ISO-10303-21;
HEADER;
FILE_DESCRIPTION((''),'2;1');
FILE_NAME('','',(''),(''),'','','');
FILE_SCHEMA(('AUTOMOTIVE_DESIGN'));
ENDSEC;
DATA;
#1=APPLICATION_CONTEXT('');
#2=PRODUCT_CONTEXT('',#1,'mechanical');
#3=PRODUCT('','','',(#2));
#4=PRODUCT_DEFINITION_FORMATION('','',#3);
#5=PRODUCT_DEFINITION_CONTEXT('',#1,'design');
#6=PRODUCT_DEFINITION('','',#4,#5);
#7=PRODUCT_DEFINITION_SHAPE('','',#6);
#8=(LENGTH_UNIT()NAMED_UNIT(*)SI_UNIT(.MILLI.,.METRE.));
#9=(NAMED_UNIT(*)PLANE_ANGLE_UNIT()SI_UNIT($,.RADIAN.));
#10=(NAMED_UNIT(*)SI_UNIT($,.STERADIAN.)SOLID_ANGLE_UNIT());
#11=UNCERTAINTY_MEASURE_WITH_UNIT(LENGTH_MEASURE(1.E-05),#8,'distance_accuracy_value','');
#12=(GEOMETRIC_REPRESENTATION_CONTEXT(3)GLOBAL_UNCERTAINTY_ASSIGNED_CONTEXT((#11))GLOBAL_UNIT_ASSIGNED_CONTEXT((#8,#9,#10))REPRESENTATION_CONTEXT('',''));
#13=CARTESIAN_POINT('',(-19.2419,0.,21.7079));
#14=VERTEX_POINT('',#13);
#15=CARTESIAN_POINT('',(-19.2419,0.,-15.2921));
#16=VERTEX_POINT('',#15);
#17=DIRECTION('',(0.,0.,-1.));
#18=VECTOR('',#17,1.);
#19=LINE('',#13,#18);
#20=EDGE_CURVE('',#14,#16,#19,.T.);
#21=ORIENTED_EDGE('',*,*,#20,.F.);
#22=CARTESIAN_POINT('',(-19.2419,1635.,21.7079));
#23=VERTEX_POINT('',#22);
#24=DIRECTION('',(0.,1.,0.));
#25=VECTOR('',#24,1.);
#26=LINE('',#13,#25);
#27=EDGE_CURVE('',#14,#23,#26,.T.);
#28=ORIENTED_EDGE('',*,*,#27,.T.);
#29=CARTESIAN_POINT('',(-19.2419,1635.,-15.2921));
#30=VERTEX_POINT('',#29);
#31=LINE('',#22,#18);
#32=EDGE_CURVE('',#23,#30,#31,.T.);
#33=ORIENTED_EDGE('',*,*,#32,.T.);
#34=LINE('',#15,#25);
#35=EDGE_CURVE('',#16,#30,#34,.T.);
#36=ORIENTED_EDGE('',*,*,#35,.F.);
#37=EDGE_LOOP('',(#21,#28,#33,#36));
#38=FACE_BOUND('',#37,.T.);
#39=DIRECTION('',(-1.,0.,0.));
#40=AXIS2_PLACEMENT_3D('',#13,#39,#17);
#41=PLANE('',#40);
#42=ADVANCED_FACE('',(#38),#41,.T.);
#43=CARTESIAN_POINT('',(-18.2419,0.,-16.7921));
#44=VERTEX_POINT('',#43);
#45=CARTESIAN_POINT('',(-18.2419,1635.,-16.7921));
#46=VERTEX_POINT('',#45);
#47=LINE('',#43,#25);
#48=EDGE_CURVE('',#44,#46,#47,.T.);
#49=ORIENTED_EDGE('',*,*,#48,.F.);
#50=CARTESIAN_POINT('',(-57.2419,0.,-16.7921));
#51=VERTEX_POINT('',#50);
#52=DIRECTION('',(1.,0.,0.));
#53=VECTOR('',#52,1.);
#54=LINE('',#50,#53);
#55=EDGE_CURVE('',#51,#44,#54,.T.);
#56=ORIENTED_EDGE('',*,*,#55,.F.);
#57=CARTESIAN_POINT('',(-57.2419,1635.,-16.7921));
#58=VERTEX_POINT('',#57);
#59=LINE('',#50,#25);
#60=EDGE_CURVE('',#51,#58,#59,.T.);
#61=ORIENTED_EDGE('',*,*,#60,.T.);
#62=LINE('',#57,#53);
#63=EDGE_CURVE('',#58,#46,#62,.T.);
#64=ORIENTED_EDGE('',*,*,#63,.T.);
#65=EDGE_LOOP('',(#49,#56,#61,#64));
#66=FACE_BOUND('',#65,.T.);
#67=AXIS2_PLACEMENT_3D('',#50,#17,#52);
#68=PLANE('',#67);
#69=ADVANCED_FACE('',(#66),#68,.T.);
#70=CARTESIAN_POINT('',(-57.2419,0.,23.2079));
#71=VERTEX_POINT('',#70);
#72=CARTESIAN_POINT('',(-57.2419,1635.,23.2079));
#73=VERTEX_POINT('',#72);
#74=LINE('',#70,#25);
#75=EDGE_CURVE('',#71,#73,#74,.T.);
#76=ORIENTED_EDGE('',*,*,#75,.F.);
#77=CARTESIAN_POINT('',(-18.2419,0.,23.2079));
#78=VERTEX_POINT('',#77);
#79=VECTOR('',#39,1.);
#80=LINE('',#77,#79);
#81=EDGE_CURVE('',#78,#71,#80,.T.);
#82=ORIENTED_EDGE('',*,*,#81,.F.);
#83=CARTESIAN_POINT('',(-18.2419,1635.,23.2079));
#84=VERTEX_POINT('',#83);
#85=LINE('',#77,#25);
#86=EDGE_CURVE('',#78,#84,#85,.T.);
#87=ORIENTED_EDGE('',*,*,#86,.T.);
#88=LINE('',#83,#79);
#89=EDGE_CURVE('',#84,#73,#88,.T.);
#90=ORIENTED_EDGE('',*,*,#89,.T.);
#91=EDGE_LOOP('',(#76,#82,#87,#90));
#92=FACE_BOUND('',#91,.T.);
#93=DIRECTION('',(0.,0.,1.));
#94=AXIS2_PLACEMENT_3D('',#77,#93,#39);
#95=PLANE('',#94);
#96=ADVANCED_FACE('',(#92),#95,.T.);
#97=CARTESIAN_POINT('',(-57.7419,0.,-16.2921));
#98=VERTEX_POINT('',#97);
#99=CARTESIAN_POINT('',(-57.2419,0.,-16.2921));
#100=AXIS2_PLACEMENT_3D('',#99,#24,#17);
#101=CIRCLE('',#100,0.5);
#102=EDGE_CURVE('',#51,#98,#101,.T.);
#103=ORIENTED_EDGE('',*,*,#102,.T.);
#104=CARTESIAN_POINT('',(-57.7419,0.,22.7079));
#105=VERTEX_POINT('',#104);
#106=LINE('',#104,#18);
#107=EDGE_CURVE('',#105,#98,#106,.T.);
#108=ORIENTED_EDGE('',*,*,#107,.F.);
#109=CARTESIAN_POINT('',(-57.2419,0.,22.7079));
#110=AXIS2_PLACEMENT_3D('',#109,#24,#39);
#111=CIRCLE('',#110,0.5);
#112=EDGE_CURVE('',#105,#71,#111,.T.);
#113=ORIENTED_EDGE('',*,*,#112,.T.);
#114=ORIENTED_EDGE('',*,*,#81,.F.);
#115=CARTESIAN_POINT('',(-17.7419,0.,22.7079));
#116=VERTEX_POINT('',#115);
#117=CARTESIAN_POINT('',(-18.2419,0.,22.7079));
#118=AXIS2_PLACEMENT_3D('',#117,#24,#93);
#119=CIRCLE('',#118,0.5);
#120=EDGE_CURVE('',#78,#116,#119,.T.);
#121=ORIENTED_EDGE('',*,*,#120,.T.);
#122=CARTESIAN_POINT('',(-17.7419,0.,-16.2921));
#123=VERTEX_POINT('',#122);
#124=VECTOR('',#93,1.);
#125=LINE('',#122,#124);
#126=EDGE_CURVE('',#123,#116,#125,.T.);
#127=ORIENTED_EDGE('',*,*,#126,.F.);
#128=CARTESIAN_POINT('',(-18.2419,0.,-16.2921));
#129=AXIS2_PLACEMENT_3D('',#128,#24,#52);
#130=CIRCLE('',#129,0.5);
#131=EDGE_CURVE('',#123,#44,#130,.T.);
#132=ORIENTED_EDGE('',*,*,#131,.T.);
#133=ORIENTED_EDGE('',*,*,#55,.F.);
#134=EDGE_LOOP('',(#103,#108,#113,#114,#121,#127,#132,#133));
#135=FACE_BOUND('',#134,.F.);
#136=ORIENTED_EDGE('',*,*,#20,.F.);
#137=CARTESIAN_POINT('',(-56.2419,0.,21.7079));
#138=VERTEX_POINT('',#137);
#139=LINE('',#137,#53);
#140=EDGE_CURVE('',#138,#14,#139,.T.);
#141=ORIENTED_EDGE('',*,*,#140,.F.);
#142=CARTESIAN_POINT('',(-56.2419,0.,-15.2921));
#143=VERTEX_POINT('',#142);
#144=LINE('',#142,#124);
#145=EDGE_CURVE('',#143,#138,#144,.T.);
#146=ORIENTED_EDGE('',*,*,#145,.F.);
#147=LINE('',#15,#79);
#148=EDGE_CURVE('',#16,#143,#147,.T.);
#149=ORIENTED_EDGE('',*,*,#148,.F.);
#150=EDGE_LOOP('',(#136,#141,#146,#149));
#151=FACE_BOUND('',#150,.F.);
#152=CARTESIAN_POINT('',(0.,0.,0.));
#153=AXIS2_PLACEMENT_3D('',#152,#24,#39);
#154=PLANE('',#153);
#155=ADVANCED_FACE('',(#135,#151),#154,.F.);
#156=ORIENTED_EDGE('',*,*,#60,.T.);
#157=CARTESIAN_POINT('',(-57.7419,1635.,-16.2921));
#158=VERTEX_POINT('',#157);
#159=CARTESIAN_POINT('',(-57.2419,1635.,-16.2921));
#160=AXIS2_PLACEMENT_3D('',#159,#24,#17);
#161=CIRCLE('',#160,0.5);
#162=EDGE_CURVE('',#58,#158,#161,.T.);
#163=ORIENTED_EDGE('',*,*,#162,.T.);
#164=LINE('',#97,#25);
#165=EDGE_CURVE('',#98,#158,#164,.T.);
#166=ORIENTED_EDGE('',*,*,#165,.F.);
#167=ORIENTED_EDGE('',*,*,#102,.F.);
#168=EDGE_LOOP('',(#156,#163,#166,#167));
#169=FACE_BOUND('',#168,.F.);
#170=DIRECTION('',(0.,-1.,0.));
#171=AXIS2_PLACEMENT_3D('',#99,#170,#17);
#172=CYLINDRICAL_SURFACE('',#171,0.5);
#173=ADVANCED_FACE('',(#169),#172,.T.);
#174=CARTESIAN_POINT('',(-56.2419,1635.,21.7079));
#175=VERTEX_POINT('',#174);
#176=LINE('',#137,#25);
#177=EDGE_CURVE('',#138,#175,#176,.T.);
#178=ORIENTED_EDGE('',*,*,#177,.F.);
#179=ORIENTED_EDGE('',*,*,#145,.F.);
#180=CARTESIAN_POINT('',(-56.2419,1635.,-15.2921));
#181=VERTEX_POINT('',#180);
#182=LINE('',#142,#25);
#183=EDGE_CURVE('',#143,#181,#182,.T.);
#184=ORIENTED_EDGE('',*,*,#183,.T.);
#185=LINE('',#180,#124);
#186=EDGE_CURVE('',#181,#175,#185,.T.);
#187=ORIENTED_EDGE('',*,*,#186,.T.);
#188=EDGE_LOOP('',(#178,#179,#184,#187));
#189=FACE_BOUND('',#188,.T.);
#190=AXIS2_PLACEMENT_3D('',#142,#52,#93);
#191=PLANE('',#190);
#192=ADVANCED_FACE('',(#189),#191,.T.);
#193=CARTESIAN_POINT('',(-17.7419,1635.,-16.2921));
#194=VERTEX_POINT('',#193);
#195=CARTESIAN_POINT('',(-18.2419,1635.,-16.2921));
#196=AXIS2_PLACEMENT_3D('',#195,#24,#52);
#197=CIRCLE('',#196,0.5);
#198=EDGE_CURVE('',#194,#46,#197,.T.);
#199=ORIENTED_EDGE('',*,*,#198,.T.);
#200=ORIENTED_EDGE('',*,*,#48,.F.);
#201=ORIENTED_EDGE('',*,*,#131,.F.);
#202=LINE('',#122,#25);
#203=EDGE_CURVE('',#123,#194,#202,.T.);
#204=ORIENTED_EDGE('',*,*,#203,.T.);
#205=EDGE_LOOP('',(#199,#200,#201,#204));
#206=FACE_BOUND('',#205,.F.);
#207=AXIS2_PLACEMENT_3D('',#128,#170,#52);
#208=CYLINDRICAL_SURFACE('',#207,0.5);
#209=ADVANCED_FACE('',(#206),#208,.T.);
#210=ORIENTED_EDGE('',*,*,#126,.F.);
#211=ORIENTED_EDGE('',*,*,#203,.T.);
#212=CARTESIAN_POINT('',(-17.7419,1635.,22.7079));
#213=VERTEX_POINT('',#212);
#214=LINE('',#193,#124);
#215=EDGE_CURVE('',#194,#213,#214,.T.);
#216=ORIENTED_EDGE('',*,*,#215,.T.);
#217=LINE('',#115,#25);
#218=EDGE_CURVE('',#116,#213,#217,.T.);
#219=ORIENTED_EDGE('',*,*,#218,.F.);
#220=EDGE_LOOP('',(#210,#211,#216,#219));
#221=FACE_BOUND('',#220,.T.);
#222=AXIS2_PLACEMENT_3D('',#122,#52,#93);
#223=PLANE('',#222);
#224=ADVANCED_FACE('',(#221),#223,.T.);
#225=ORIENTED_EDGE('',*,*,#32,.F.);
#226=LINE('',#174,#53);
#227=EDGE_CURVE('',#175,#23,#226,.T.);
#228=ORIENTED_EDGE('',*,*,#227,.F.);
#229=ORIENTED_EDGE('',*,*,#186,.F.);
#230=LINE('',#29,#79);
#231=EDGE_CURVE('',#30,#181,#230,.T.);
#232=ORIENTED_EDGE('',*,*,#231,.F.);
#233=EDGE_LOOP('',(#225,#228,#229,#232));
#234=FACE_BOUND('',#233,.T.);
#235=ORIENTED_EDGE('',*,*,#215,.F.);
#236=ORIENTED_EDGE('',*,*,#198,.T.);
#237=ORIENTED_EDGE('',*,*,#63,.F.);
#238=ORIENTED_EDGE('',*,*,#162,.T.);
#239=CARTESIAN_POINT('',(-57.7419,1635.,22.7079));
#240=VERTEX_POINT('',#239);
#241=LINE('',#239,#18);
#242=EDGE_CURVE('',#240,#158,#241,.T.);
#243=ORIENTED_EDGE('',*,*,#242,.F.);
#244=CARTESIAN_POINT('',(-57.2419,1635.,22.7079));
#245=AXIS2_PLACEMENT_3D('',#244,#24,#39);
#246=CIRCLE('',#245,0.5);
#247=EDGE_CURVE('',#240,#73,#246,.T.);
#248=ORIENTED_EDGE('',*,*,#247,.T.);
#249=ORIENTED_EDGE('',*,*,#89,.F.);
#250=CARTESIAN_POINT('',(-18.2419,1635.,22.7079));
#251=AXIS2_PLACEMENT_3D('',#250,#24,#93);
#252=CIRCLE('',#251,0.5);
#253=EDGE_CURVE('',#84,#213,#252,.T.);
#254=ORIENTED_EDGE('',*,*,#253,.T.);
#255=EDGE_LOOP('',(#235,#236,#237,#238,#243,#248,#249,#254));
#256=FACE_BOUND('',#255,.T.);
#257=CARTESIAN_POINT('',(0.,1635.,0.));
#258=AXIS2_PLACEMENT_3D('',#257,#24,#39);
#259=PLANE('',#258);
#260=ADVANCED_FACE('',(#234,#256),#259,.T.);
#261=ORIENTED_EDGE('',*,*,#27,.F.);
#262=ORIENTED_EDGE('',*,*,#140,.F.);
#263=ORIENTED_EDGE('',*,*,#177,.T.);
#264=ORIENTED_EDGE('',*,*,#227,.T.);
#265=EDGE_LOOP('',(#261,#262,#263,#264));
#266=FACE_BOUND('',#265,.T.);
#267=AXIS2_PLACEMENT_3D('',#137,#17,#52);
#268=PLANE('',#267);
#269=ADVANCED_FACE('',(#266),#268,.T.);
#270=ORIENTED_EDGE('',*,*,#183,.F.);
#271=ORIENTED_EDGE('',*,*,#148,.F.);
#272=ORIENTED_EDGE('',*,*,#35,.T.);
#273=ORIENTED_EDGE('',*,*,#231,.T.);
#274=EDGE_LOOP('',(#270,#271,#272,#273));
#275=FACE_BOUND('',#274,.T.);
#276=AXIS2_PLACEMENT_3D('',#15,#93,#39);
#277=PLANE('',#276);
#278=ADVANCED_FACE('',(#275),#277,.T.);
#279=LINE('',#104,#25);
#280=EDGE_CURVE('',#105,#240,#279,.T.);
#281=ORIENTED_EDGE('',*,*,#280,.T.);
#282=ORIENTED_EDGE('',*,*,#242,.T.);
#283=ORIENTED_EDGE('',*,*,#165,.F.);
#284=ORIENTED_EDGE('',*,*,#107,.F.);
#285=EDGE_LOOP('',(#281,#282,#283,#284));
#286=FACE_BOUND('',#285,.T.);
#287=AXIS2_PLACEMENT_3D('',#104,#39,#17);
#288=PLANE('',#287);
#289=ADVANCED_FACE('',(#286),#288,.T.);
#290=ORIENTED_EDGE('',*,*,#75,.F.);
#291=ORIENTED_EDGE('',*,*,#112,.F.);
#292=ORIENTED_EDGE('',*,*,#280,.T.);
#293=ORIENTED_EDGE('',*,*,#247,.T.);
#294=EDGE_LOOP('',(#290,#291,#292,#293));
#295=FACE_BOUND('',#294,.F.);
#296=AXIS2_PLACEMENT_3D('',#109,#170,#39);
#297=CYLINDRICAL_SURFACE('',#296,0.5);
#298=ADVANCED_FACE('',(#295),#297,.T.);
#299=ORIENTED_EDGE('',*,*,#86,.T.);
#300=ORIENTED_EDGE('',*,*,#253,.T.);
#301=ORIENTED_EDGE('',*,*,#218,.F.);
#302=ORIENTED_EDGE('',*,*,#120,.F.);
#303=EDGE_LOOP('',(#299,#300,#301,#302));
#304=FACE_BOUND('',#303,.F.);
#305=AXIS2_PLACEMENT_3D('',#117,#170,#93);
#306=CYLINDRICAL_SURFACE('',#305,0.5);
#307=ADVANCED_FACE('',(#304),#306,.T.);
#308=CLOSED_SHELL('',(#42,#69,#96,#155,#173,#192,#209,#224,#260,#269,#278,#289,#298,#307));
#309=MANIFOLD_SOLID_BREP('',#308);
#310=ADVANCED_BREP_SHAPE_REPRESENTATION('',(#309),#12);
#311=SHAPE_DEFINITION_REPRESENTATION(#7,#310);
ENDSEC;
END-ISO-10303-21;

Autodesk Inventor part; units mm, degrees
ref_plane "YZ Plane" through (0, 0, 0) normal (1, 0, 0) x (0, 1, 0)
ref_plane "XZ Plane" through (0, 0, 0) normal (0, 1, 0) x (-1, 0, 0)
ref_plane "XY Plane" through (0, 0, 0) normal (0, 0, 1) x (1, 0, 0)
sketch "Sketch1" plane through (0, 0, 0) normal (0, 1, 0) x (-1, 0, 0)
  line L0 (18.2419, 23.2079) -> (57.2419, 23.2079)
  line L1 (57.7419, 22.7079) -> (57.7419, -16.2921)
  line L2 (57.2419, -16.7921) -> (18.2419, -16.7921)
  line L3 (17.7419, -16.2921) -> (17.7419, 22.7079)
  line L4 (56.2419, 21.7079) -> (19.2419, 21.7079)
  line L5 (19.2419, 21.7079) -> (19.2419, -15.2921)
  line L6 (19.2419, -15.2921) -> (56.2419, -15.2921)
  line L7 (56.2419, -15.2921) -> (56.2419, 21.7079)
  arc A0 (18.2419, 23.2079) -> (17.7419, 22.7079) centre (18.2419, 22.7079) ccw
  arc A1 (57.7419, 22.7079) -> (57.2419, 23.2079) centre (57.2419, 22.7079) ccw
  arc A2 (57.2419, -16.7921) -> (57.7419, -16.2921) centre (57.2419, -16.2921) ccw
  arc A3 (17.7419, -16.2921) -> (18.2419, -16.7921) centre (18.2419, -16.2921) ccw
  point P0 (0, 0)
  point P1 (17.7419, 23.2079)
  point P2 (57.7419, 23.2079)
  point P3 (57.7419, -16.7921)
  dimension "d0" = 40
  dimension "d1" = 40
  dimension "d2" = 1.5
  dimension "d3" = 0.5
extrude "Extrusion1" add sketch "Sketch1" along normal blind 1635
properties part number "Metalon_Base_2"
